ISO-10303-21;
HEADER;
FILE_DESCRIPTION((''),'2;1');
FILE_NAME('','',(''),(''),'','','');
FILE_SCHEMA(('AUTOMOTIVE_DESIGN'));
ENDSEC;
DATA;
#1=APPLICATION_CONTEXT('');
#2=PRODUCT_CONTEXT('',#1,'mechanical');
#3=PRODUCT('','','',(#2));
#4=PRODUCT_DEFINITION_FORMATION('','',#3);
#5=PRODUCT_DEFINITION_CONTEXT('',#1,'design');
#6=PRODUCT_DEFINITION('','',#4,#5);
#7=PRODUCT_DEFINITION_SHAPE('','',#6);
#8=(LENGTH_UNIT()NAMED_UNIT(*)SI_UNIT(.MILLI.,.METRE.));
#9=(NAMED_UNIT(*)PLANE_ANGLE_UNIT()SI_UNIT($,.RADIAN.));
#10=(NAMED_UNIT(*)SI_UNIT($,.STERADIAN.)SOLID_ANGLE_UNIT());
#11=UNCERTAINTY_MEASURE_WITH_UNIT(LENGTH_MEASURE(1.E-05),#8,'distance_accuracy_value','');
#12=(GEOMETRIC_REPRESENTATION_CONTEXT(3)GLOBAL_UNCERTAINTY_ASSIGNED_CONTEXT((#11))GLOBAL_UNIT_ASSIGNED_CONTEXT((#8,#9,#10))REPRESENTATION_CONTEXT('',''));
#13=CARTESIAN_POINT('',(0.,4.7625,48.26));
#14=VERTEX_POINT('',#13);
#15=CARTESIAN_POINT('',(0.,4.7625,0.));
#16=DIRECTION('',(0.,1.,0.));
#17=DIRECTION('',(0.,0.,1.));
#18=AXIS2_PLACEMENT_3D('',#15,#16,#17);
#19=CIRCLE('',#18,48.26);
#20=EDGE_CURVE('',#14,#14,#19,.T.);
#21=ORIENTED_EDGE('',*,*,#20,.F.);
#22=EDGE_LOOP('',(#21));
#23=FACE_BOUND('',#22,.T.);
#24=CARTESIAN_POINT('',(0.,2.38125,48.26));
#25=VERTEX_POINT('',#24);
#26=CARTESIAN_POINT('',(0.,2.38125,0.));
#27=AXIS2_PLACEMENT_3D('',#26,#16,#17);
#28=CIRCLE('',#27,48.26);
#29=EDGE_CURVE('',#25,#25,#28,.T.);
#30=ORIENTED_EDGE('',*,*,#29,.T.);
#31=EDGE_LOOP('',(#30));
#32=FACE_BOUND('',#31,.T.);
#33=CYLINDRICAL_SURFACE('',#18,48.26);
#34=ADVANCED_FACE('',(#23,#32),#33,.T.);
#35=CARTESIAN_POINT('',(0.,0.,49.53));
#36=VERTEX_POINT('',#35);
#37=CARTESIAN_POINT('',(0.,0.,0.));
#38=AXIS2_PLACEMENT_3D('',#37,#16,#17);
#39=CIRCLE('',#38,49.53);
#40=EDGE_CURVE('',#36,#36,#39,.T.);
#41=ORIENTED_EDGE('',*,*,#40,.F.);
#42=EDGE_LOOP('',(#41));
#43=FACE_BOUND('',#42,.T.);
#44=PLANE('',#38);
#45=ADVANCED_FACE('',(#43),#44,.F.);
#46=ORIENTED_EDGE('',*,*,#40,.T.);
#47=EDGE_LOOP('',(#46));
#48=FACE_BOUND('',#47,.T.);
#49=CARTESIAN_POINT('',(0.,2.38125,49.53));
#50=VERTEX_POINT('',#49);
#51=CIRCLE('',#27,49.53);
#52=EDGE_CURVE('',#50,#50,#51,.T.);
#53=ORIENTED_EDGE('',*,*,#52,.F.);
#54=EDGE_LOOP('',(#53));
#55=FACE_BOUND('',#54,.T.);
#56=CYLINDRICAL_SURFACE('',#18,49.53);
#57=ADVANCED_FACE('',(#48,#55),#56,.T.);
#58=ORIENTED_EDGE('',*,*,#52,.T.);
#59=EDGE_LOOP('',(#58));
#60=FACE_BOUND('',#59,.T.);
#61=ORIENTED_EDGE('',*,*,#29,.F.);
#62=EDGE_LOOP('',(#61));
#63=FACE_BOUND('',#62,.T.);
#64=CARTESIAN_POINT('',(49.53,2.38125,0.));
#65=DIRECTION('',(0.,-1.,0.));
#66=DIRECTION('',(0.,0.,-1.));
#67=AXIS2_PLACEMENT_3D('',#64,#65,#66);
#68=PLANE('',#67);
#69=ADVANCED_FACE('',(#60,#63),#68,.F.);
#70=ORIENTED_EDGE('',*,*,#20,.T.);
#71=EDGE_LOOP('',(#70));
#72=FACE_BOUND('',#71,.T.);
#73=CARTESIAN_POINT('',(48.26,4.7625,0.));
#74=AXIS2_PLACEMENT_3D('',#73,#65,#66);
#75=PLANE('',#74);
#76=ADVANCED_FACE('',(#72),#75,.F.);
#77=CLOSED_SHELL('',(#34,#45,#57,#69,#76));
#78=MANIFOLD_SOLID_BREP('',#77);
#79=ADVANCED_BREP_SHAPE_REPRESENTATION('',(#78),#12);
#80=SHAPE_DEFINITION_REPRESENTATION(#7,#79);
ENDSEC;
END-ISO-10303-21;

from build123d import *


with BuildPart() as part:
    # Sketch1 → Revolve1 (revolve)
    with BuildSketch(Plane.XY, mode=Mode.PRIVATE) as revolve1_sk:
        Polygon((0, 0), (49.53, 0), (49.53, 2.38125), (48.26, 2.38125), (48.26, 4.7625), (0, 4.7625), align=None)
    revolve(revolve1_sk.sketch.rotate(Axis((0, 4.7625, 0), (0, -1, 0)), 90), axis=Axis((0, 4.7625, 0), (0, -1, 0)))


solid = part.part
